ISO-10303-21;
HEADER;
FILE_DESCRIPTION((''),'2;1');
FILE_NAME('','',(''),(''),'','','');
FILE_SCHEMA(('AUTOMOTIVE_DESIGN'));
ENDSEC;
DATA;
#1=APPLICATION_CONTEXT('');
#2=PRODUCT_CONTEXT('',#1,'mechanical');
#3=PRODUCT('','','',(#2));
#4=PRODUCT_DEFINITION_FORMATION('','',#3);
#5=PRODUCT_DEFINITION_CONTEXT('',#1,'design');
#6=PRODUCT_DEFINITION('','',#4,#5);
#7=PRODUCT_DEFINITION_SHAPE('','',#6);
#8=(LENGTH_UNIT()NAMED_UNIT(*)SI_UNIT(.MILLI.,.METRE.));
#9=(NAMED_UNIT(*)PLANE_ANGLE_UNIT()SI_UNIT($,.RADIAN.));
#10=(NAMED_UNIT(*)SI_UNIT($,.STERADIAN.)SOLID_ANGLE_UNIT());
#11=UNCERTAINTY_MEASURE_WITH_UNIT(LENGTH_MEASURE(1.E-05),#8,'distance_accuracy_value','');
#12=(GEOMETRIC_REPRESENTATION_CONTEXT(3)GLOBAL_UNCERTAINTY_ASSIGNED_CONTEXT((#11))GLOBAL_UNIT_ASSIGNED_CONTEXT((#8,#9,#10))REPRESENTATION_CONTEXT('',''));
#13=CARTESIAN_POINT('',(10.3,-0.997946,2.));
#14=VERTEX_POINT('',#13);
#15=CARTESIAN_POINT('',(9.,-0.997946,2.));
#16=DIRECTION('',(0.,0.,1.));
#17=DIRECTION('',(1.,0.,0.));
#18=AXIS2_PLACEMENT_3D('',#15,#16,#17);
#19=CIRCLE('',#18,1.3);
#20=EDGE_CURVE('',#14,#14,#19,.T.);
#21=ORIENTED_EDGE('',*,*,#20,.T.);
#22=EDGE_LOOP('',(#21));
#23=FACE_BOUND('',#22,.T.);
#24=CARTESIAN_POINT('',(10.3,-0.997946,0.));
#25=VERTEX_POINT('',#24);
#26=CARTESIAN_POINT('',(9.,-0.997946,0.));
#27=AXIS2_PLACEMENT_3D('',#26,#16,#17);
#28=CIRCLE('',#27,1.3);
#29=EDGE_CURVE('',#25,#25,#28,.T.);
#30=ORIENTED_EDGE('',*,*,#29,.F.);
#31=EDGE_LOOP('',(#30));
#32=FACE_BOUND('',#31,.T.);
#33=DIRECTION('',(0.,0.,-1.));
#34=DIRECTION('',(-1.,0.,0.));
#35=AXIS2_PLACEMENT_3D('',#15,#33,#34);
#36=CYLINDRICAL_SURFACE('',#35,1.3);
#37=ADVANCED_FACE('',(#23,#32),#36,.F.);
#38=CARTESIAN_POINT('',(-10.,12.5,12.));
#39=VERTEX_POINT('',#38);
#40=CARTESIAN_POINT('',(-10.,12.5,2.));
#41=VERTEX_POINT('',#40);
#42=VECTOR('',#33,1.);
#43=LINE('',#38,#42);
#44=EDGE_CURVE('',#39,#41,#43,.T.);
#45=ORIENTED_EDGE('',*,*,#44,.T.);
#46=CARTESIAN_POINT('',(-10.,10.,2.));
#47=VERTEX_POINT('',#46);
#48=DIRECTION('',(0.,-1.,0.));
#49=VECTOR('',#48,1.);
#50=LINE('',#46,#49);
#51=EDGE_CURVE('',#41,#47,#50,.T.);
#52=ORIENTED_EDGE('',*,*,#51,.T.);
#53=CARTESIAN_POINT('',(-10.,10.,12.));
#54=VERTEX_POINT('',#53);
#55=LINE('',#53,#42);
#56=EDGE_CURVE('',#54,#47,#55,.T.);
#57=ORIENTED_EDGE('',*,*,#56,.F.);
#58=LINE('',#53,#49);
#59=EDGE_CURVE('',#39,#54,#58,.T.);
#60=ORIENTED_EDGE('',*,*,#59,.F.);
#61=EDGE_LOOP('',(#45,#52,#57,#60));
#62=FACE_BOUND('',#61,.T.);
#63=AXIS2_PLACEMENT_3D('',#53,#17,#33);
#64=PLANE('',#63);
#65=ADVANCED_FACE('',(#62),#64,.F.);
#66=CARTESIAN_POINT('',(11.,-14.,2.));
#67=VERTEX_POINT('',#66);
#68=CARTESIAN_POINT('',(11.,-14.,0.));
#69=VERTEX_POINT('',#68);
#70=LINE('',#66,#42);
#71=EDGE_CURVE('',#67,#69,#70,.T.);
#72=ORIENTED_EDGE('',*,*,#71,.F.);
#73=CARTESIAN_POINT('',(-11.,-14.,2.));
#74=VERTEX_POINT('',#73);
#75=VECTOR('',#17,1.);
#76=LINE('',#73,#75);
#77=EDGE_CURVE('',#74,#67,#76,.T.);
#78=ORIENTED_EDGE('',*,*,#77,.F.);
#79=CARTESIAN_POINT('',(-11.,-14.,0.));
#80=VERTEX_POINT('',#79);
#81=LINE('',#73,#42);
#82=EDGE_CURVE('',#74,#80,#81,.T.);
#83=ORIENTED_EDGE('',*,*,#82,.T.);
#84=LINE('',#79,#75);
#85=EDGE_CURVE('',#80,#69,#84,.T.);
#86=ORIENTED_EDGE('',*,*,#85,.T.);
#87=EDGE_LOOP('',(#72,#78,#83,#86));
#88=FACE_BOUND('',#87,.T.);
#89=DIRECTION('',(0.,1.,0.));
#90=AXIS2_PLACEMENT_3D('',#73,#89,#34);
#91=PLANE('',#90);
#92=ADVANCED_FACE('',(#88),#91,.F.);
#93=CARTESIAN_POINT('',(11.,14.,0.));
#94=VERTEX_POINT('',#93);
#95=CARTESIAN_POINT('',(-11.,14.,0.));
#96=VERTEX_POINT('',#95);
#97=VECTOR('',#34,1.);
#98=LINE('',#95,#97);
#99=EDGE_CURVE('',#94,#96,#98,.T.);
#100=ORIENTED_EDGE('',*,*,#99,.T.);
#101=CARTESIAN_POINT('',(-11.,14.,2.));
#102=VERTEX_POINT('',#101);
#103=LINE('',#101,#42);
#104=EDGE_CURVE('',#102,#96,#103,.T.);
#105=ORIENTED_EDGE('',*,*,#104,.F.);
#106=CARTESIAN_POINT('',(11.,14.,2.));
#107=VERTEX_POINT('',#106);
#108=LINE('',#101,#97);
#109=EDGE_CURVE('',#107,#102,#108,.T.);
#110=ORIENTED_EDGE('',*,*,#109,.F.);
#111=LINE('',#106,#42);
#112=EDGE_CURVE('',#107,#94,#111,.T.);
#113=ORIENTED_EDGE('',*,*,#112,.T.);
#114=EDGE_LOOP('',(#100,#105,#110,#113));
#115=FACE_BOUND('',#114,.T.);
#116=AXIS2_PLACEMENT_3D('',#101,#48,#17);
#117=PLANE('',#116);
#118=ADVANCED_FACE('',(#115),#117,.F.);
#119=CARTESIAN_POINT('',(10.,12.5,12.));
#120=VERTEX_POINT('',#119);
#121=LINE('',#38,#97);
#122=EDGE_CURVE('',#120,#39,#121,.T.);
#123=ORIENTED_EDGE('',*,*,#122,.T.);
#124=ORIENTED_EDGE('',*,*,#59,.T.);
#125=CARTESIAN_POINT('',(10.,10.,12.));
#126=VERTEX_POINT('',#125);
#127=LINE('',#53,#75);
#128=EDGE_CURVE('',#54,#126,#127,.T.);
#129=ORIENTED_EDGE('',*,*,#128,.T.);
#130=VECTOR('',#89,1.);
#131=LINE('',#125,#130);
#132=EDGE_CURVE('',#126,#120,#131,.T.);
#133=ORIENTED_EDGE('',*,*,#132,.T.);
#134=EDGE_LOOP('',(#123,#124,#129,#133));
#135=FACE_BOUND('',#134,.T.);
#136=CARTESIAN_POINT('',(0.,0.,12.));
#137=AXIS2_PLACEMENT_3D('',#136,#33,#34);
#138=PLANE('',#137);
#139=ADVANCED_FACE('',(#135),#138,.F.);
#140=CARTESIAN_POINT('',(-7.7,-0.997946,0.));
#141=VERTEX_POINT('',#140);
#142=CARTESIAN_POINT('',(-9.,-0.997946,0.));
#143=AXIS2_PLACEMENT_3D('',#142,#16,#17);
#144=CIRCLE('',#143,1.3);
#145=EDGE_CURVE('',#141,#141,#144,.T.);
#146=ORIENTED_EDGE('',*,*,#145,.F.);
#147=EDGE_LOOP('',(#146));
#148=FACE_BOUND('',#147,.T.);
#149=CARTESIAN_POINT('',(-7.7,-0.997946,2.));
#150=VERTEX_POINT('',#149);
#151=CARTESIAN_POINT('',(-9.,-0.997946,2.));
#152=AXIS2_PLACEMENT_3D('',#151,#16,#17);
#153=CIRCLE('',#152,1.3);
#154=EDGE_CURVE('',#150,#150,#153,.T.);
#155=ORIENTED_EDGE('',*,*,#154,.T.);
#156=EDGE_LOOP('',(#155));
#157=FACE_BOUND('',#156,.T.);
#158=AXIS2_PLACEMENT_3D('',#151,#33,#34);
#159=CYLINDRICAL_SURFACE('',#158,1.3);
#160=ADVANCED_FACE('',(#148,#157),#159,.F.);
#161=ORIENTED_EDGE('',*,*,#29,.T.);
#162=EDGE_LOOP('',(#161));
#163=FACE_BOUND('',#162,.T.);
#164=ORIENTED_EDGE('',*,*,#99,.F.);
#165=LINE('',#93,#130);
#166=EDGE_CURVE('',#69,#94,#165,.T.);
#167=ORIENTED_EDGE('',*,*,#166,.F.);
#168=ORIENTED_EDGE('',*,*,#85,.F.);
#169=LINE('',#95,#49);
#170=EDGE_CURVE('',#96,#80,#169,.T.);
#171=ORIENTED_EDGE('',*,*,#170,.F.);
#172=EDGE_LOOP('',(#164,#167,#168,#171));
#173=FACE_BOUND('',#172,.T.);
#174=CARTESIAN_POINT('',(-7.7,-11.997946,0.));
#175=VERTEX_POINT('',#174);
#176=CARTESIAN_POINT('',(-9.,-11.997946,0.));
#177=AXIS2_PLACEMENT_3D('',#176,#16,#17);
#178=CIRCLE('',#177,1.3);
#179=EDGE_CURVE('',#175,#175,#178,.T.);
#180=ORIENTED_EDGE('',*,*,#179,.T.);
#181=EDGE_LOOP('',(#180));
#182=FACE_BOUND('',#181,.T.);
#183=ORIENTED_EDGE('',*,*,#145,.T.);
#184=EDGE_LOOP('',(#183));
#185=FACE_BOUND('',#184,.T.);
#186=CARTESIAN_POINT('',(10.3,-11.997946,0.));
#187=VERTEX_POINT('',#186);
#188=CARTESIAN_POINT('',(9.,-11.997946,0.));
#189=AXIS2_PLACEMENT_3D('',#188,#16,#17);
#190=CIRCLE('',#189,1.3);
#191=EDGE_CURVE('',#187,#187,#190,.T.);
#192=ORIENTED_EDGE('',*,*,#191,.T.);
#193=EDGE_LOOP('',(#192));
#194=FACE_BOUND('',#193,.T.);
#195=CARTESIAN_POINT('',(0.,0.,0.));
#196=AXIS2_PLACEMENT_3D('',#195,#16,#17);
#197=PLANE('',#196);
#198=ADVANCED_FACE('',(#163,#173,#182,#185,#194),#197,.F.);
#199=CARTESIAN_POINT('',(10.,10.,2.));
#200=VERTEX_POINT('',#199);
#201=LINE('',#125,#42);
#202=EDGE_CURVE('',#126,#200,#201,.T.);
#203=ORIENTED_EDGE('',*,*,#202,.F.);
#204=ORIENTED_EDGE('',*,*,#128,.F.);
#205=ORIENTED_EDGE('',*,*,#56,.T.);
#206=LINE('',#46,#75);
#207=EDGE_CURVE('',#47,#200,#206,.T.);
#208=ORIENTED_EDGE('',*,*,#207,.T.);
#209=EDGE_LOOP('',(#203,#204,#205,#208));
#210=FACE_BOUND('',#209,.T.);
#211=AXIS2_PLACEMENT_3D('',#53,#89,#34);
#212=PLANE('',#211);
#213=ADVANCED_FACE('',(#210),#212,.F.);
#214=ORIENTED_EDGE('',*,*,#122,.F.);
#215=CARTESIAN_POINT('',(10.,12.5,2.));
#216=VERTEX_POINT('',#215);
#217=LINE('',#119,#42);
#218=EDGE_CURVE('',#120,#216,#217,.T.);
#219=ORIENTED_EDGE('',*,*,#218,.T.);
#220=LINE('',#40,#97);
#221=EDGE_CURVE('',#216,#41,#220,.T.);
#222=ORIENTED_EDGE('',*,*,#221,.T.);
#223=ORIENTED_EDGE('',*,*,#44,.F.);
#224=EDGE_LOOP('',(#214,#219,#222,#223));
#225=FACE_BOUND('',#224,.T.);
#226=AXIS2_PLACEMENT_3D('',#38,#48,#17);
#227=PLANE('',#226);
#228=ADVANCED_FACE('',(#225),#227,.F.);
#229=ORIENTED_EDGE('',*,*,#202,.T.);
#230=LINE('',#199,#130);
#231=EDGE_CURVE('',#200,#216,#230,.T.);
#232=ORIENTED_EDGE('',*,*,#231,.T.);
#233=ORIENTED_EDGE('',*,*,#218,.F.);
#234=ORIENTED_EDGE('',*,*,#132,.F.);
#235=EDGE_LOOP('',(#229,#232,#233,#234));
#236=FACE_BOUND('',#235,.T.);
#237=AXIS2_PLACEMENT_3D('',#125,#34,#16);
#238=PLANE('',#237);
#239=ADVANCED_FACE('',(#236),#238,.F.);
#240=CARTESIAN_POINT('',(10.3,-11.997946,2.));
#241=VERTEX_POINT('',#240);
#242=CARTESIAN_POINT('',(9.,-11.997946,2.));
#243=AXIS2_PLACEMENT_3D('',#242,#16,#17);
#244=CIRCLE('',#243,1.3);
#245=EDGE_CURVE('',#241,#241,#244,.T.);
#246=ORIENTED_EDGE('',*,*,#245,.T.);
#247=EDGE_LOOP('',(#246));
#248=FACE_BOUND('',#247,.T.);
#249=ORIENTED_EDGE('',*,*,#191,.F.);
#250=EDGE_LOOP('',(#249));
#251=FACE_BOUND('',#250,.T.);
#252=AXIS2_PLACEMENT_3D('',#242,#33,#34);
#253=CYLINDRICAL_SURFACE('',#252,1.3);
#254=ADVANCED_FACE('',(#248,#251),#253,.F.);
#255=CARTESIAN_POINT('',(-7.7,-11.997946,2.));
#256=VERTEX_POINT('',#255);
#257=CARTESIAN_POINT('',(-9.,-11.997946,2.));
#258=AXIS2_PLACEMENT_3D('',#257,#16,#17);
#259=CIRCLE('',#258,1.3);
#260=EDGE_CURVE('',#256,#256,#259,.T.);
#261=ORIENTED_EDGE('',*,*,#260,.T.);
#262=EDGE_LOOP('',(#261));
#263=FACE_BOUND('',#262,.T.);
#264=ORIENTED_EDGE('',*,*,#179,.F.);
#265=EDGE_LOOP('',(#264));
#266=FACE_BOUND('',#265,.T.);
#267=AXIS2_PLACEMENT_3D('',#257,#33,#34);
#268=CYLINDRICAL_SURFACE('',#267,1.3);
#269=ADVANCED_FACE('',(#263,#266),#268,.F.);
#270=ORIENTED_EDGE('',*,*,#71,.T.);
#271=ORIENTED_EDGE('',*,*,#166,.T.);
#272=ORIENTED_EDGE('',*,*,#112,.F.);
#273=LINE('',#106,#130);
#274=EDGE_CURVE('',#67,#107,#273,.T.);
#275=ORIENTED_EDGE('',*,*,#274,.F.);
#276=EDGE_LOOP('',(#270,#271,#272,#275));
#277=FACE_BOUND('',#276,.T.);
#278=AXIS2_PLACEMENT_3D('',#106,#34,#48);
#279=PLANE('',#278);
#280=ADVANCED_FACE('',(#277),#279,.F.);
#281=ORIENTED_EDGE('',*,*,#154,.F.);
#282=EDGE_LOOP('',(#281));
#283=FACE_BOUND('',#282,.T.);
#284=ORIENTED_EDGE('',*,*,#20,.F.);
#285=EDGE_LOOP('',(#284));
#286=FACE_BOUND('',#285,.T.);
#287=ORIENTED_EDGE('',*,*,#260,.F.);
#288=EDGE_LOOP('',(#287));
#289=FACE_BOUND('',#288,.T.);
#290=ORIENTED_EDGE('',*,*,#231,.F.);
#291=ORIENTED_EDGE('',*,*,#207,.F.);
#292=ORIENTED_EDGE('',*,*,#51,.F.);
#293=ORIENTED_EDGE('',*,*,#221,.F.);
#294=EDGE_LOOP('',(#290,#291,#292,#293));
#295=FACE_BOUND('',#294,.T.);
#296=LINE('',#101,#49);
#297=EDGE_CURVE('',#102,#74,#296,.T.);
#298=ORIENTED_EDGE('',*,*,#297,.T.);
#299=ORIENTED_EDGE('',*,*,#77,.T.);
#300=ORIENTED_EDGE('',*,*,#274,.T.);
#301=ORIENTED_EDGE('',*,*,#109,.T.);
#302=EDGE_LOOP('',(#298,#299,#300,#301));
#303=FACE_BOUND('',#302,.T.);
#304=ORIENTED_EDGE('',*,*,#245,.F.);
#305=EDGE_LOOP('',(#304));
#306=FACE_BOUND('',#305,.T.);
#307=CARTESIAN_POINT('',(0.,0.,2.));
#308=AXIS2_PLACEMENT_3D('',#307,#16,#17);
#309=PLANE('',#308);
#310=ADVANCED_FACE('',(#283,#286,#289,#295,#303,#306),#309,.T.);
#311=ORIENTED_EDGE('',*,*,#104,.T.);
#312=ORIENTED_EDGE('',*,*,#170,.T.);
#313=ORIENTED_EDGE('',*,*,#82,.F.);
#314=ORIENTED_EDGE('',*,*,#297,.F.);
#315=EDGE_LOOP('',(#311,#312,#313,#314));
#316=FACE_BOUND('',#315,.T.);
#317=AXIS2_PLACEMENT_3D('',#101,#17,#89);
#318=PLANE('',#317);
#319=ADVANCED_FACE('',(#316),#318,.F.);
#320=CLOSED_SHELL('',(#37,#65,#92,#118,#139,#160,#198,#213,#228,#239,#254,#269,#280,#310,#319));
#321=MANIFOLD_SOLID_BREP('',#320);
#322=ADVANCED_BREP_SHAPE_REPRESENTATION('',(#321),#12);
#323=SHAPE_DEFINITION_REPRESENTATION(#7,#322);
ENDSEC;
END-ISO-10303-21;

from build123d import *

# Parameters (mm, degrees)
SKETCH_1_W      = 22
SKETCH_1_H      = 28
SKETCH_1_R      = 1.3
EXTRUDE_1_DEPTH = 2
SKETCH_2_W      = 20
SKETCH_2_H      = 2.5
EXTRUDE_2_DEPTH = 10


with BuildPart() as part:
    # 草图1 → 凸台-拉伸1 (new body)
    with BuildSketch(Plane.XY):
        Rectangle(SKETCH_1_W, SKETCH_1_H)
        with Locations((-9, -11.997945994)):
            Circle(SKETCH_1_R, mode=Mode.SUBTRACT)
        with Locations((-9, -0.997945994)):
            Circle(SKETCH_1_R, mode=Mode.SUBTRACT)
        with Locations((9, -0.997945994)):
            Circle(SKETCH_1_R, mode=Mode.SUBTRACT)
        with Locations((9, -11.997945994)):
            Circle(SKETCH_1_R, mode=Mode.SUBTRACT)
    extrude(amount=EXTRUDE_1_DEPTH)

    # 草图2 → 凸台-拉伸2 (add)
    with BuildSketch(Plane.XY.offset(2)):
        with Locations((0, 11.25)):
            Rectangle(SKETCH_2_W, SKETCH_2_H)
    extrude(amount=EXTRUDE_2_DEPTH)


solid = part.part
